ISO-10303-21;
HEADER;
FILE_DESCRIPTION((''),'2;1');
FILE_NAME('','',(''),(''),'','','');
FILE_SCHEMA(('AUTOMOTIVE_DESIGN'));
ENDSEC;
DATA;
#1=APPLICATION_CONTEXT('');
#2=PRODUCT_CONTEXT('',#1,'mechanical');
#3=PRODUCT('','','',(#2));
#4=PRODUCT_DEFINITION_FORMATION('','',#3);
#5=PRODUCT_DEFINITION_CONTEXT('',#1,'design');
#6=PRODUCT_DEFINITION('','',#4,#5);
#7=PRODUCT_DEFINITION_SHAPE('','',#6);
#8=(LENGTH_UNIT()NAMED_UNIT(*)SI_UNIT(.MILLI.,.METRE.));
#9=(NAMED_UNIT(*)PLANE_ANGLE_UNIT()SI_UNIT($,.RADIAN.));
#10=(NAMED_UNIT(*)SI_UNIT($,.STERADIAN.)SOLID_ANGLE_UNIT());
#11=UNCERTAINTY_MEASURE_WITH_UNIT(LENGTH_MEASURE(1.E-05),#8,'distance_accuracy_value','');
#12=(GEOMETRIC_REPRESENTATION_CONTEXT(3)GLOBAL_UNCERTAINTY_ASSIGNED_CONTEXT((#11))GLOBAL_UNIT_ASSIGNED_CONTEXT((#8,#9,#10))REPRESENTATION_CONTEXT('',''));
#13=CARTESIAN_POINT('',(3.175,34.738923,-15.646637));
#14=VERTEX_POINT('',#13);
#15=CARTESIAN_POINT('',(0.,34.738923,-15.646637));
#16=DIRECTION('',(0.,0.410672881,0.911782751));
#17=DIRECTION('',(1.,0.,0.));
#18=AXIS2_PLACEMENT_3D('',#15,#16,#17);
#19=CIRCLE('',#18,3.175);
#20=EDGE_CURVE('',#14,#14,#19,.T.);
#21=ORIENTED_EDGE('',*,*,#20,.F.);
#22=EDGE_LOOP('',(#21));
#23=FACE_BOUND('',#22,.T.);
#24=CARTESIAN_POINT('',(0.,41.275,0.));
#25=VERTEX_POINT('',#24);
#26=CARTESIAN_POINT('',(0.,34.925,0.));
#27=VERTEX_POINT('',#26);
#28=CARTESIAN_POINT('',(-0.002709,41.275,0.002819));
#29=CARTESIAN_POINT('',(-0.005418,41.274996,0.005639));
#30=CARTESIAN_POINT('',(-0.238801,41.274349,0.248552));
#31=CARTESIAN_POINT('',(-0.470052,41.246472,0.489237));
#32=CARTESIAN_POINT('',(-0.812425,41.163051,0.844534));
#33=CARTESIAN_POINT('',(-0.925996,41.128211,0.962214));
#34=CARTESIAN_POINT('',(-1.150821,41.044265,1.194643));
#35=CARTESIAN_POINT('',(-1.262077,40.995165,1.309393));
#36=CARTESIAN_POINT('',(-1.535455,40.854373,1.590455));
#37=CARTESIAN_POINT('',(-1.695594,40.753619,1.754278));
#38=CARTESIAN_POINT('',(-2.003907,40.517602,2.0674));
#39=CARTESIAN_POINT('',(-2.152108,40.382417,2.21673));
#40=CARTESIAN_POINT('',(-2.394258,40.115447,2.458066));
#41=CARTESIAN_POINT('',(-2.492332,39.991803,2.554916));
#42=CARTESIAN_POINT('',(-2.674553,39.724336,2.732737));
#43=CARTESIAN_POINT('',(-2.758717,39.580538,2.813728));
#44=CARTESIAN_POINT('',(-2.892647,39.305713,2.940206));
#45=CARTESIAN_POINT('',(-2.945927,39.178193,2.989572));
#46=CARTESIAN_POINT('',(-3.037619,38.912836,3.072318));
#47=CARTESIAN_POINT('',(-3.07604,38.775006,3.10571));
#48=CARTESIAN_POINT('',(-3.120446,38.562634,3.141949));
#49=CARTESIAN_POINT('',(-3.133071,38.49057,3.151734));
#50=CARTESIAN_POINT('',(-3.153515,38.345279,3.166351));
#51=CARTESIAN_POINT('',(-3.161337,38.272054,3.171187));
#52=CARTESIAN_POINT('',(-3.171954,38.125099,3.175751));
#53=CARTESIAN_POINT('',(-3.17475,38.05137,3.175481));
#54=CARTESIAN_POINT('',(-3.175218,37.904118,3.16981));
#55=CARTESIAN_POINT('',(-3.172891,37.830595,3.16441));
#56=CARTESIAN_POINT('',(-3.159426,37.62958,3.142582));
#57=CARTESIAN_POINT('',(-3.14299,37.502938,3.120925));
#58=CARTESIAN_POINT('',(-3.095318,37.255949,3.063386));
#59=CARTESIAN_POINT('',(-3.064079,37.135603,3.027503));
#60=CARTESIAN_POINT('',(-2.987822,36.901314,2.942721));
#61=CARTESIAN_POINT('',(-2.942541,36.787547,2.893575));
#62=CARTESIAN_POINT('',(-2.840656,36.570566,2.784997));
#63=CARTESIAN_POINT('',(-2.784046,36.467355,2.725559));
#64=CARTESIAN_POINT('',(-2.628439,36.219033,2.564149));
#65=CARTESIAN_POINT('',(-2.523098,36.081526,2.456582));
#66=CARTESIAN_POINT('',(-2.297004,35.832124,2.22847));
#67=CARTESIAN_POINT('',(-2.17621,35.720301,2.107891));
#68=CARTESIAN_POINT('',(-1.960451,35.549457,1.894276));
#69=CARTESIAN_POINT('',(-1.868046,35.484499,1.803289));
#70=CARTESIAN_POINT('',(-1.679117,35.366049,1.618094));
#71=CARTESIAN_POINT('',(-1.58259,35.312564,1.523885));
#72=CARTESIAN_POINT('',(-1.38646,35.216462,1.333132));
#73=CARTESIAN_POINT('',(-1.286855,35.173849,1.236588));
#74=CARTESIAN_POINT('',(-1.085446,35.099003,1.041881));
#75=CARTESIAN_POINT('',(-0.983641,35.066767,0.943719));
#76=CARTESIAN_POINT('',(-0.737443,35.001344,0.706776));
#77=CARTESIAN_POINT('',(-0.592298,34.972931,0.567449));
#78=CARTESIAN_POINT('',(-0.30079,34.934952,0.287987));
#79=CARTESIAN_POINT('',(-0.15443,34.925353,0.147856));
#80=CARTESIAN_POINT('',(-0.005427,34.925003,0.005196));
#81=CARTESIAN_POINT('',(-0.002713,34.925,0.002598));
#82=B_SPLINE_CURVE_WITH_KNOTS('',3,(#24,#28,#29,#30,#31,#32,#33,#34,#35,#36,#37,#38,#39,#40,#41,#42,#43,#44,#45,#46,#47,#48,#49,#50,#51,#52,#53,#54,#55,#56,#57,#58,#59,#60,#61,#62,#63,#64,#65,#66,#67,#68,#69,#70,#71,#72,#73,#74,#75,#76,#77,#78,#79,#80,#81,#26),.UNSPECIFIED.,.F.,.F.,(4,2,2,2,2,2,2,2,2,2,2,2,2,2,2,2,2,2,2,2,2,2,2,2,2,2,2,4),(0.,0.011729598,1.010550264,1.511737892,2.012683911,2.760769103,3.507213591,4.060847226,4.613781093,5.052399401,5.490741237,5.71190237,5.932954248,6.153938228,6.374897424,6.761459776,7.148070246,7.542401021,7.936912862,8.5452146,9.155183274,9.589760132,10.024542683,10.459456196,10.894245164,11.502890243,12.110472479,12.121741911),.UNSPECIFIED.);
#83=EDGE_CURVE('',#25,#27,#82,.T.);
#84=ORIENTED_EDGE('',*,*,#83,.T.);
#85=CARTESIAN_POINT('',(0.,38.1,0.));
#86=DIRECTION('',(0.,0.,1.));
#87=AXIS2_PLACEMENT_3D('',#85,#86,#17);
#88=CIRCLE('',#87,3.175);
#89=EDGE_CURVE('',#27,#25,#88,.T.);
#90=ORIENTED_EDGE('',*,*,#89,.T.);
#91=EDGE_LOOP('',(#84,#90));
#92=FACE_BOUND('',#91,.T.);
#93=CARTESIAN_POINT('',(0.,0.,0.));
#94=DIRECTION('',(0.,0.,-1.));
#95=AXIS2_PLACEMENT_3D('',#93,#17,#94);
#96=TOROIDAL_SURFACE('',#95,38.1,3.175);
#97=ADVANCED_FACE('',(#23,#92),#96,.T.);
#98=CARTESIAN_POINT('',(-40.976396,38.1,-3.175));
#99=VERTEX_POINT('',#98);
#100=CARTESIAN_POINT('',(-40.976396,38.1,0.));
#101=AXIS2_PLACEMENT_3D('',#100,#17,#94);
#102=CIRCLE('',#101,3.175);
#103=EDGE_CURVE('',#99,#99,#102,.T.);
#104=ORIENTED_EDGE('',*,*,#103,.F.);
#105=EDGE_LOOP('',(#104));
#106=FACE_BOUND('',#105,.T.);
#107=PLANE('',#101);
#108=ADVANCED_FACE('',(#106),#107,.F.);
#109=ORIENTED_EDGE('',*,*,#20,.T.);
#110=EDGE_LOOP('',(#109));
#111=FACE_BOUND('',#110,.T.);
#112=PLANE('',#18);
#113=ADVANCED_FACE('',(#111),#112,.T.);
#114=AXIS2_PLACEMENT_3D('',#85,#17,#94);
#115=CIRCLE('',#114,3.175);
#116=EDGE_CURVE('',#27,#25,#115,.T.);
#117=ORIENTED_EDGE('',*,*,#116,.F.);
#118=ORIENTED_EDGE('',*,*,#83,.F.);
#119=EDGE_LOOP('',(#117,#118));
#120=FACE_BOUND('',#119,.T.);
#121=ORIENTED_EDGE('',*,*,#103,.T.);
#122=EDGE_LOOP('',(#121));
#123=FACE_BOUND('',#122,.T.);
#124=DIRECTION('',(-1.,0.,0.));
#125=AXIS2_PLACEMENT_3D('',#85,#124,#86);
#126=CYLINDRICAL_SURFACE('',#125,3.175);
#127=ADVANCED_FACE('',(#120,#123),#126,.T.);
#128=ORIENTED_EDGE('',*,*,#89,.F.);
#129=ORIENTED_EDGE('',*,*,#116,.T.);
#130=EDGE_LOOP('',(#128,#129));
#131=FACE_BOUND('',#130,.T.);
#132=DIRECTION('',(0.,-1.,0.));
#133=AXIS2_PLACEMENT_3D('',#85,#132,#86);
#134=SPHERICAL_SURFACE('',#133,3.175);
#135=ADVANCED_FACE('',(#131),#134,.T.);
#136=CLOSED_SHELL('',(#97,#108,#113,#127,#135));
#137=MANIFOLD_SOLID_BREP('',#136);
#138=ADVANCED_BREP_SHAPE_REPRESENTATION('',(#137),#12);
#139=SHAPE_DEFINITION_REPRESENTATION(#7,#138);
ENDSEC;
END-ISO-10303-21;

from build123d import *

# Parameters (mm, degrees)
SKETCH6_R = 3.175
SKETCH8_R = 3.175


with BuildPart() as part:
    # Sweep1: sweep along a path in Sketch5
    with BuildLine(Plane(origin=(0, 0, 0), x_dir=(0, 0, -1), z_dir=(1, 0, 0))) as sweep1_path:
        ThreePointArc((0, 38.1), (-8.001782337, -37.250254757), (15.646636775, 34.738922805))
    # Sketch6 → Sweep1 (sweep)
    with BuildSketch(Plane.XY):
        with Locations((0, 38.1)):
            Circle(SKETCH6_R)
    sweep(path=sweep1_path.line)

    # Sweep2: sweep along a path in Sketch7
    with BuildLine(Plane.XY) as sweep2_path:
        Line((0, 38.1), (-40.976396272, 38.1))
    # Sketch8 → Sweep2 (sweep)
    with BuildSketch(Plane(origin=(0, 0, 0), x_dir=(0, 0, -1), z_dir=(1, 0, 0))):
        with Locations((0, 38.1)):
            Circle(SKETCH8_R)
    sweep(path=sweep2_path.line)

    # Sketch9 → Revolve7 (revolve)
    with BuildSketch(Plane(origin=(0, 0, 0), x_dir=(0, 0, -1), z_dir=(1, 0, 0))):
        with BuildLine():
            Line((0, 41.275), (0, 34.925))
            ThreePointArc((0, 34.925), (3.175, 38.1), (0, 41.275))
        make_face()
    revolve(axis=Axis((0, 0, 0), (0, 1, 0)))


solid = part.part
